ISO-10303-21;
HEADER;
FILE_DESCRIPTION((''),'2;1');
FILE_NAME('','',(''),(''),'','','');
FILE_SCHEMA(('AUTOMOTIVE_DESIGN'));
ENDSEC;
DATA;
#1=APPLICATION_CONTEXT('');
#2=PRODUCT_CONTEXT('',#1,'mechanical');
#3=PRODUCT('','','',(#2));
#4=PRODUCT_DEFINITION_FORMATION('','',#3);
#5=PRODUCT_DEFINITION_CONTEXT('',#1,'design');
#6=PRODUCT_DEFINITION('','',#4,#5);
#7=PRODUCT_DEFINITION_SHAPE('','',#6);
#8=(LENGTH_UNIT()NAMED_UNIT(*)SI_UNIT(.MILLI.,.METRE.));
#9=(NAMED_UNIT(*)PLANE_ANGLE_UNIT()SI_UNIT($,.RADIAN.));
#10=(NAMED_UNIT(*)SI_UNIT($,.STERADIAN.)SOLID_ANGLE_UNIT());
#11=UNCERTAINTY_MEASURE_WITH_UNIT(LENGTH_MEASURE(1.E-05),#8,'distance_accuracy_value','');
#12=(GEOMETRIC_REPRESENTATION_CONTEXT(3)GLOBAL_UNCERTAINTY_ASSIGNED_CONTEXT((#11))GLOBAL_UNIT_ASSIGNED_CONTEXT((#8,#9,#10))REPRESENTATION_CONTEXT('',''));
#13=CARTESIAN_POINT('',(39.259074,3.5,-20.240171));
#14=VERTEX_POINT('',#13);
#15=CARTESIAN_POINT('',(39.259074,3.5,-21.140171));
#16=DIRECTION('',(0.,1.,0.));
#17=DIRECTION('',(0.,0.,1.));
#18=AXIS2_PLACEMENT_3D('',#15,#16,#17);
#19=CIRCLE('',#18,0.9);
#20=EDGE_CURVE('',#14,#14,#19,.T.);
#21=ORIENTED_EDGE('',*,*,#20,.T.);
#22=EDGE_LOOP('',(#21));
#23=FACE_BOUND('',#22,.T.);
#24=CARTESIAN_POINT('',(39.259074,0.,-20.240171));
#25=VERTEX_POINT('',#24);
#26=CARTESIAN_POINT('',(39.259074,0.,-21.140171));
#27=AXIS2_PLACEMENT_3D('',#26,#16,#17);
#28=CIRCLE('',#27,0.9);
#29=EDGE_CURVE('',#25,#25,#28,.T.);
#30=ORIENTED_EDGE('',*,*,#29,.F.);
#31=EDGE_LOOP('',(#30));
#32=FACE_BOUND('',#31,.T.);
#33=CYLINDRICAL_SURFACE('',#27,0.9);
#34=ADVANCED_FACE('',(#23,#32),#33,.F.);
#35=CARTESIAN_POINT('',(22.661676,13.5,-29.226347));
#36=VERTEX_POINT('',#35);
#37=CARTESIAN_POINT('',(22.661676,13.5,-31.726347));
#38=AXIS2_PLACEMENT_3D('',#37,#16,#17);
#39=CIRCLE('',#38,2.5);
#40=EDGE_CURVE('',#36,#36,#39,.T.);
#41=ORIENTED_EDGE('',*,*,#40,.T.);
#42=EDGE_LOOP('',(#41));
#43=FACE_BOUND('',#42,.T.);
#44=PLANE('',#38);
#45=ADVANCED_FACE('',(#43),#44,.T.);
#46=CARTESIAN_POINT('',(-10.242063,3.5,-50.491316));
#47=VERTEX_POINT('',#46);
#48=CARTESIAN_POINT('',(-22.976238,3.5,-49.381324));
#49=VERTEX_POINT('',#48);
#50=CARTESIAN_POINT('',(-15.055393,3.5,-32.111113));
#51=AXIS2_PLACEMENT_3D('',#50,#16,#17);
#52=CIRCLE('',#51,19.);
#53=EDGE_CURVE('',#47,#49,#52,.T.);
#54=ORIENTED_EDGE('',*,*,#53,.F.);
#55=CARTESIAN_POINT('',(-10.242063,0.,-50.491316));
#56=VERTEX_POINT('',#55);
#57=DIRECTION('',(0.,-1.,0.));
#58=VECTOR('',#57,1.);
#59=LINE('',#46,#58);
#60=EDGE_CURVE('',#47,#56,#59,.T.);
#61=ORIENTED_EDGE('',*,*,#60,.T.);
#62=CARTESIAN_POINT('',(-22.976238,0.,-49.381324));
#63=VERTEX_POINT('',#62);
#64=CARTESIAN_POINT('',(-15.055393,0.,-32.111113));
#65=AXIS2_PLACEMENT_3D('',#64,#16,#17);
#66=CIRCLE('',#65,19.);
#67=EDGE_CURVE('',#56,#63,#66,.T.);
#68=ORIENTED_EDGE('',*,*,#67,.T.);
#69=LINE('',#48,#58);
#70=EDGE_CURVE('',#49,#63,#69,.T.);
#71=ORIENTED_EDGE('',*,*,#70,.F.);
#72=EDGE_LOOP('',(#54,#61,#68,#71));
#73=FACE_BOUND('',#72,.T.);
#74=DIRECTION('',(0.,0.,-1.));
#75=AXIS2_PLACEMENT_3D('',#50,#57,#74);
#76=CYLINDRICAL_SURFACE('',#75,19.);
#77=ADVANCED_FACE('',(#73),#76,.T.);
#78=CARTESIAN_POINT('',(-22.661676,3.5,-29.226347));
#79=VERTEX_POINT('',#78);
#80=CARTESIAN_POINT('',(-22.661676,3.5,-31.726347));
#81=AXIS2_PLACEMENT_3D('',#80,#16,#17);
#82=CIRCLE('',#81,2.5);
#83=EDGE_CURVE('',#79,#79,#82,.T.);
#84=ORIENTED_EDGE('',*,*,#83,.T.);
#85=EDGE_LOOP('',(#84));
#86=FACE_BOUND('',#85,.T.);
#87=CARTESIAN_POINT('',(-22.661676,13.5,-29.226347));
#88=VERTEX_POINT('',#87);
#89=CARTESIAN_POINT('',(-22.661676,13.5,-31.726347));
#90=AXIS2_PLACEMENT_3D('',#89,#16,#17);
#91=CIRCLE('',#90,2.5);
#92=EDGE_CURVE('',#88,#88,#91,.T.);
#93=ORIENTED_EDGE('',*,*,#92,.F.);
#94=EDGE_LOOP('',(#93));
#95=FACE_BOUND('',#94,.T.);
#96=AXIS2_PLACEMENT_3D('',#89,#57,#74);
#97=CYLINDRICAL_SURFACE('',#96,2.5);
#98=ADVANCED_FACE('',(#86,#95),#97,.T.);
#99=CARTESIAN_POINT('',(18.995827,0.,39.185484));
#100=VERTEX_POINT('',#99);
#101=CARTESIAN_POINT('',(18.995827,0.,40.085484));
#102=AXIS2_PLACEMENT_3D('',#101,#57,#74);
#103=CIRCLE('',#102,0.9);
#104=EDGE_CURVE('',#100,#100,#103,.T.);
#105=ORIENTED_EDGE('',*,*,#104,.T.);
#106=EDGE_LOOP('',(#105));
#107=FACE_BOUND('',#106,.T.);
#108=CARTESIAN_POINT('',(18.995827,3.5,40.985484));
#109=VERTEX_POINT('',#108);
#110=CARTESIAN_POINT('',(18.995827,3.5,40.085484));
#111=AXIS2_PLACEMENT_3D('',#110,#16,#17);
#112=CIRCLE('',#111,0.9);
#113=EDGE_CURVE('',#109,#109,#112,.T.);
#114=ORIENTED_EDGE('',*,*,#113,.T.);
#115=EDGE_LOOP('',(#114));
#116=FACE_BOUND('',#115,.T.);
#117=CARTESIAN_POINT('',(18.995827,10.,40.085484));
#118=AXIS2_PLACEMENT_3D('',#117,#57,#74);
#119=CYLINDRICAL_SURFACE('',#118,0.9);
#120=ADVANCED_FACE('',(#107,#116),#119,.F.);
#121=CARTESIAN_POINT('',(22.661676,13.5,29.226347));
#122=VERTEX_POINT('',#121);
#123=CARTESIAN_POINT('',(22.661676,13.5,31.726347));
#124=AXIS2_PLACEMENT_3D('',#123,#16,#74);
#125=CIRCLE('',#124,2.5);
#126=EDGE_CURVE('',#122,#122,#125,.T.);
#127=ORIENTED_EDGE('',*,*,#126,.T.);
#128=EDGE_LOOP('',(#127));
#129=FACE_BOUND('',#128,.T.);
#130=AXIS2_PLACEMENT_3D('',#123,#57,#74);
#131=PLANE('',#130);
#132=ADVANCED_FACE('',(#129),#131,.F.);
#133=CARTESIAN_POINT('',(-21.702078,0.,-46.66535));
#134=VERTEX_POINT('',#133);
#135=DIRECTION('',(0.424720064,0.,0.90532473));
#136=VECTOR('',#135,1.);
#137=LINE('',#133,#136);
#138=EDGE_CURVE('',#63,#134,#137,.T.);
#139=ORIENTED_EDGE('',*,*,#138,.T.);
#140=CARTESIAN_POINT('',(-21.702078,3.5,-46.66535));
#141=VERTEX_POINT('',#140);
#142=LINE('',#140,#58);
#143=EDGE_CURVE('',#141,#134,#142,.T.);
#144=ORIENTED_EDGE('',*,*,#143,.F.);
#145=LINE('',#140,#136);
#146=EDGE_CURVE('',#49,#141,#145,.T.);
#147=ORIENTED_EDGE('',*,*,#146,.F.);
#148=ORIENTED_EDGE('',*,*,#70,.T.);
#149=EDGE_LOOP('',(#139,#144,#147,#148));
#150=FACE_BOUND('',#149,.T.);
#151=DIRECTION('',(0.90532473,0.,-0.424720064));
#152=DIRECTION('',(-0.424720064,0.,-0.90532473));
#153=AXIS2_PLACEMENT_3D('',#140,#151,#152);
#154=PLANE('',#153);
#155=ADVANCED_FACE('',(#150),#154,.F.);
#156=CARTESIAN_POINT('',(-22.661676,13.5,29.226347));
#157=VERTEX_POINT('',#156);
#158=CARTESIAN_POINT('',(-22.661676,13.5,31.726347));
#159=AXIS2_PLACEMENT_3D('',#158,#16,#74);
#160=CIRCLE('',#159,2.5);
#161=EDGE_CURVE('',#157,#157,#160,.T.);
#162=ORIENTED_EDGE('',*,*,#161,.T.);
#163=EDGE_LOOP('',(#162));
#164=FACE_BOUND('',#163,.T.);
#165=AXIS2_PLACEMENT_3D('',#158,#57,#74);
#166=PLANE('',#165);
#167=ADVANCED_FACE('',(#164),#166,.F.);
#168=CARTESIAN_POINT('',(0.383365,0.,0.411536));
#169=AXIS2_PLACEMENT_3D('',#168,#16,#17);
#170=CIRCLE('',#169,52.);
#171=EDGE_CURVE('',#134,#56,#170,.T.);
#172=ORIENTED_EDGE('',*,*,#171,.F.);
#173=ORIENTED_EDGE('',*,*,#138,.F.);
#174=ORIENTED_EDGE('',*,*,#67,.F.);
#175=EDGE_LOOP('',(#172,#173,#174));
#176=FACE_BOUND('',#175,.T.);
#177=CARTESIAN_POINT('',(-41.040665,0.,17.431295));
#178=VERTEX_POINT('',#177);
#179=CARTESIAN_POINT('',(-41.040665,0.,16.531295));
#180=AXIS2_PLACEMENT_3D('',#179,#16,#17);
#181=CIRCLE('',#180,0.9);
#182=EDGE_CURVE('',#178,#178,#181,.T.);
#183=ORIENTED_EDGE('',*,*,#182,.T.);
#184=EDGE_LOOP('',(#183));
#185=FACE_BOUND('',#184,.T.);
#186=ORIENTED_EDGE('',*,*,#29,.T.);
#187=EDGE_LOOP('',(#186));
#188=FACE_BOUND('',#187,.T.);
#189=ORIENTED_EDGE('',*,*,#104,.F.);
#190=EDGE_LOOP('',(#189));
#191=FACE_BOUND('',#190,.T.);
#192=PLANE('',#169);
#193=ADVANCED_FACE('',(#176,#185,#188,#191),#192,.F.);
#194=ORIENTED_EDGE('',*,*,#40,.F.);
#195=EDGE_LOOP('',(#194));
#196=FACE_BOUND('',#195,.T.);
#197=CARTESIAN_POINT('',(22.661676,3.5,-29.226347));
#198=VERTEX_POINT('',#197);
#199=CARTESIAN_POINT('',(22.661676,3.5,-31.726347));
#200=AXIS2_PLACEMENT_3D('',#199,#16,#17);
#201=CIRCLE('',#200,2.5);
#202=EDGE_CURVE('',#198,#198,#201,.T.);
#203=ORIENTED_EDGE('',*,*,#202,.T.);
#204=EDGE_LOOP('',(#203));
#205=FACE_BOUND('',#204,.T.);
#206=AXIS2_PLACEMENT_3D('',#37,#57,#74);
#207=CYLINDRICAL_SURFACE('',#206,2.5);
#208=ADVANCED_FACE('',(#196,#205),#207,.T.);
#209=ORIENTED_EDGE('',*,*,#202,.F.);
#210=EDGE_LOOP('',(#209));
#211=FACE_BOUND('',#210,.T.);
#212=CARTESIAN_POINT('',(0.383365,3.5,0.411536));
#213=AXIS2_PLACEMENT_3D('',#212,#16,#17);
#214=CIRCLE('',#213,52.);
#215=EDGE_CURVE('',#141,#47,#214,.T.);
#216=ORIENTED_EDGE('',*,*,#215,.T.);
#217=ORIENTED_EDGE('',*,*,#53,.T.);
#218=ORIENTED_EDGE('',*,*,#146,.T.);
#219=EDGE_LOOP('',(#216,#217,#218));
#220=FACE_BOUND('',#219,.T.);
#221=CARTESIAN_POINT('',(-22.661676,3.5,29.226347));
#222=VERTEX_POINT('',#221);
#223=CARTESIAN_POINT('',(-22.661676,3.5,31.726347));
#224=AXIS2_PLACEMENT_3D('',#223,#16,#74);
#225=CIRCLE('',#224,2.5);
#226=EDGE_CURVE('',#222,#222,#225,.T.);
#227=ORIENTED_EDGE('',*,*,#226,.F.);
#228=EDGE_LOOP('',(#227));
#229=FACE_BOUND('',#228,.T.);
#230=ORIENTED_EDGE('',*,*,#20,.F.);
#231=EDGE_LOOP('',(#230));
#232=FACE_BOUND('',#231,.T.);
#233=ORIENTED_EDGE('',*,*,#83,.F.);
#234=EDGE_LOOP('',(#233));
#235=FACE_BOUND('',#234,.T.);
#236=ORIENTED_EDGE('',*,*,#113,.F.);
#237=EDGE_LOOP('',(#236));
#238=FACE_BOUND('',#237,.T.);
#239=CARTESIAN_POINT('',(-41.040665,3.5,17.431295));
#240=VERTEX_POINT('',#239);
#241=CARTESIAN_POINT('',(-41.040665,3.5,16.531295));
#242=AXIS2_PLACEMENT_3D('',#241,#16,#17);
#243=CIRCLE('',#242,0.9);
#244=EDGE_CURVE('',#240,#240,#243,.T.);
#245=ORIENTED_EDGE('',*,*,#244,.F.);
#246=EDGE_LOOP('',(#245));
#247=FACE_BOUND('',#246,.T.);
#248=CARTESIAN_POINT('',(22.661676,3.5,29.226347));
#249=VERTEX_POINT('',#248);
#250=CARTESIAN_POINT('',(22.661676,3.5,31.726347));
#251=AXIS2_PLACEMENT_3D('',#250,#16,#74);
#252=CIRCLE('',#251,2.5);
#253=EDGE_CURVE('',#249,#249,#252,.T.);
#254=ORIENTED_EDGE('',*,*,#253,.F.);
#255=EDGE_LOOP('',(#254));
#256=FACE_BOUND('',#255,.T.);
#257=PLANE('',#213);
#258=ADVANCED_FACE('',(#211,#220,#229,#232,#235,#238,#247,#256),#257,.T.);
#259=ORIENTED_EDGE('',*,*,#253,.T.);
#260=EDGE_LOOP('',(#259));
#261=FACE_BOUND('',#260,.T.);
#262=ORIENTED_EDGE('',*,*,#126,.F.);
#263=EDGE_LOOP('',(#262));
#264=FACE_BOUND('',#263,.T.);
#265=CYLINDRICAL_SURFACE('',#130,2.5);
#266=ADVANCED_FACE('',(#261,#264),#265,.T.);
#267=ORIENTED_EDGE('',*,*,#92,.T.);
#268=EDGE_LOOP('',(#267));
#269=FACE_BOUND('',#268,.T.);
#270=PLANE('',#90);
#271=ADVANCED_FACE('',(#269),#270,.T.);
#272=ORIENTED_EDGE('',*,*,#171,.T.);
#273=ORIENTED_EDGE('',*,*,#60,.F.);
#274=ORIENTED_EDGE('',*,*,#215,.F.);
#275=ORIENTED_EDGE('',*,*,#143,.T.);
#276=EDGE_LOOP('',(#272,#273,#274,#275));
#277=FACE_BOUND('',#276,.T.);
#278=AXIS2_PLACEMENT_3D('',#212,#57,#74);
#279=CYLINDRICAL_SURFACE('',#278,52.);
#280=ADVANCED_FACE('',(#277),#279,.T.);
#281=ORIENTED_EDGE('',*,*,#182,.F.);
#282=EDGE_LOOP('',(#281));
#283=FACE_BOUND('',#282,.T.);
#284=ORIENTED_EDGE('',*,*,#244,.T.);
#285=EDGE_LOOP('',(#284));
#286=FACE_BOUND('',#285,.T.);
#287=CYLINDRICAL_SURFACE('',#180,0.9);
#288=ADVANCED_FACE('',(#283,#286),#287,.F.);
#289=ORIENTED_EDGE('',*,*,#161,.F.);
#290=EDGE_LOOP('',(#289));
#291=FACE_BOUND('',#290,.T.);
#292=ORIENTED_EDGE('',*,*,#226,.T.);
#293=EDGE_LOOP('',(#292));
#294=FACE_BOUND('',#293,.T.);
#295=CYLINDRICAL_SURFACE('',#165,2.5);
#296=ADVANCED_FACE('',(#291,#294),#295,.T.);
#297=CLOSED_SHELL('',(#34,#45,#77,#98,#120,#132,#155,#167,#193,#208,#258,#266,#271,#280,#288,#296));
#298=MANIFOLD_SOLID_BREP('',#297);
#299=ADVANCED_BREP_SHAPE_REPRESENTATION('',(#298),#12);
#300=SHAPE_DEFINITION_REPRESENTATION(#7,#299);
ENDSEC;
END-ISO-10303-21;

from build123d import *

# Parameters (mm, degrees)
BOSS_EXTRUDE1_DEPTH = 3.5
SKETCH2_R           = 0.9
CUT_EXTRUDE1_DEPTH  = 75.183799012
SKETCH3_R           = 2.5
BOSS_EXTRUDE2_DEPTH = 10
SKETCH4_R           = 0.9
CUT_EXTRUDE2_DEPTH  = 10


with BuildPart() as part:
    # Sketch1 → Boss-Extrude1 (new body)
    with BuildSketch(Plane(origin=(0, 0, 0), x_dir=(1, 0, 0), z_dir=(0, 1, 0))):
        with BuildLine():
            Line((-21.702078291, 46.665350003), (-22.976238483, 49.381324194))
            ThreePointArc((-22.976238483, 49.381324194), (-16.705296787, 51.039340816), (-10.242062523, 50.491315514))
            ThreePointArc((-10.242062523, 50.491315514), (16.850294685, -49.735366194), (-21.702078291, 46.665350003))
        make_face()
    extrude(amount=BOSS_EXTRUDE1_DEPTH)

    # Sketch2 → Cut-Extrude1 (cut, through all)
    with BuildSketch(Plane(origin=(0, 3.5, 0), x_dir=(1, 0, 0), z_dir=(0, 1, 0))):
        with Locations(Location((-41.040664553, -16.531295011, 0), (0, 0, 270))):
            Circle(SKETCH2_R)
        with Locations(Location((39.259074256, 21.140171457, 0), (0, 0, 270))):
            Circle(SKETCH2_R)
    extrude(amount=-CUT_EXTRUDE1_DEPTH, mode=Mode.SUBTRACT)

    # Sketch3 → Boss-Extrude2 (add)
    with BuildSketch(Plane(origin=(0, 3.5, 0), x_dir=(1, 0, 0), z_dir=(0, 1, 0))):
        with Locations(Location((-22.661676127, 31.726346577, 0), (0, 0, 270))):
            Circle(SKETCH3_R)
        with Locations(Location((22.661676127, 31.726346577, 0), (0, 0, 270))):
            Circle(SKETCH3_R)
        with Locations(Location((22.661676127, -31.726346577, 0), (0, 0, 90))):
            Circle(SKETCH3_R)
        with Locations(Location((-22.661676127, -31.726346577, 0), (0, 0, 90))):
            Circle(SKETCH3_R)
    extrude(amount=BOSS_EXTRUDE2_DEPTH)

    # Sketch4 → Cut-Extrude2 (cut)
    with BuildSketch(Plane.XZ):
        with Locations(Location((18.995826683, 40.085484141, 0), (0, 0, 270))):
            Circle(SKETCH4_R)
    extrude(amount=-CUT_EXTRUDE2_DEPTH, mode=Mode.SUBTRACT)


solid = part.part
